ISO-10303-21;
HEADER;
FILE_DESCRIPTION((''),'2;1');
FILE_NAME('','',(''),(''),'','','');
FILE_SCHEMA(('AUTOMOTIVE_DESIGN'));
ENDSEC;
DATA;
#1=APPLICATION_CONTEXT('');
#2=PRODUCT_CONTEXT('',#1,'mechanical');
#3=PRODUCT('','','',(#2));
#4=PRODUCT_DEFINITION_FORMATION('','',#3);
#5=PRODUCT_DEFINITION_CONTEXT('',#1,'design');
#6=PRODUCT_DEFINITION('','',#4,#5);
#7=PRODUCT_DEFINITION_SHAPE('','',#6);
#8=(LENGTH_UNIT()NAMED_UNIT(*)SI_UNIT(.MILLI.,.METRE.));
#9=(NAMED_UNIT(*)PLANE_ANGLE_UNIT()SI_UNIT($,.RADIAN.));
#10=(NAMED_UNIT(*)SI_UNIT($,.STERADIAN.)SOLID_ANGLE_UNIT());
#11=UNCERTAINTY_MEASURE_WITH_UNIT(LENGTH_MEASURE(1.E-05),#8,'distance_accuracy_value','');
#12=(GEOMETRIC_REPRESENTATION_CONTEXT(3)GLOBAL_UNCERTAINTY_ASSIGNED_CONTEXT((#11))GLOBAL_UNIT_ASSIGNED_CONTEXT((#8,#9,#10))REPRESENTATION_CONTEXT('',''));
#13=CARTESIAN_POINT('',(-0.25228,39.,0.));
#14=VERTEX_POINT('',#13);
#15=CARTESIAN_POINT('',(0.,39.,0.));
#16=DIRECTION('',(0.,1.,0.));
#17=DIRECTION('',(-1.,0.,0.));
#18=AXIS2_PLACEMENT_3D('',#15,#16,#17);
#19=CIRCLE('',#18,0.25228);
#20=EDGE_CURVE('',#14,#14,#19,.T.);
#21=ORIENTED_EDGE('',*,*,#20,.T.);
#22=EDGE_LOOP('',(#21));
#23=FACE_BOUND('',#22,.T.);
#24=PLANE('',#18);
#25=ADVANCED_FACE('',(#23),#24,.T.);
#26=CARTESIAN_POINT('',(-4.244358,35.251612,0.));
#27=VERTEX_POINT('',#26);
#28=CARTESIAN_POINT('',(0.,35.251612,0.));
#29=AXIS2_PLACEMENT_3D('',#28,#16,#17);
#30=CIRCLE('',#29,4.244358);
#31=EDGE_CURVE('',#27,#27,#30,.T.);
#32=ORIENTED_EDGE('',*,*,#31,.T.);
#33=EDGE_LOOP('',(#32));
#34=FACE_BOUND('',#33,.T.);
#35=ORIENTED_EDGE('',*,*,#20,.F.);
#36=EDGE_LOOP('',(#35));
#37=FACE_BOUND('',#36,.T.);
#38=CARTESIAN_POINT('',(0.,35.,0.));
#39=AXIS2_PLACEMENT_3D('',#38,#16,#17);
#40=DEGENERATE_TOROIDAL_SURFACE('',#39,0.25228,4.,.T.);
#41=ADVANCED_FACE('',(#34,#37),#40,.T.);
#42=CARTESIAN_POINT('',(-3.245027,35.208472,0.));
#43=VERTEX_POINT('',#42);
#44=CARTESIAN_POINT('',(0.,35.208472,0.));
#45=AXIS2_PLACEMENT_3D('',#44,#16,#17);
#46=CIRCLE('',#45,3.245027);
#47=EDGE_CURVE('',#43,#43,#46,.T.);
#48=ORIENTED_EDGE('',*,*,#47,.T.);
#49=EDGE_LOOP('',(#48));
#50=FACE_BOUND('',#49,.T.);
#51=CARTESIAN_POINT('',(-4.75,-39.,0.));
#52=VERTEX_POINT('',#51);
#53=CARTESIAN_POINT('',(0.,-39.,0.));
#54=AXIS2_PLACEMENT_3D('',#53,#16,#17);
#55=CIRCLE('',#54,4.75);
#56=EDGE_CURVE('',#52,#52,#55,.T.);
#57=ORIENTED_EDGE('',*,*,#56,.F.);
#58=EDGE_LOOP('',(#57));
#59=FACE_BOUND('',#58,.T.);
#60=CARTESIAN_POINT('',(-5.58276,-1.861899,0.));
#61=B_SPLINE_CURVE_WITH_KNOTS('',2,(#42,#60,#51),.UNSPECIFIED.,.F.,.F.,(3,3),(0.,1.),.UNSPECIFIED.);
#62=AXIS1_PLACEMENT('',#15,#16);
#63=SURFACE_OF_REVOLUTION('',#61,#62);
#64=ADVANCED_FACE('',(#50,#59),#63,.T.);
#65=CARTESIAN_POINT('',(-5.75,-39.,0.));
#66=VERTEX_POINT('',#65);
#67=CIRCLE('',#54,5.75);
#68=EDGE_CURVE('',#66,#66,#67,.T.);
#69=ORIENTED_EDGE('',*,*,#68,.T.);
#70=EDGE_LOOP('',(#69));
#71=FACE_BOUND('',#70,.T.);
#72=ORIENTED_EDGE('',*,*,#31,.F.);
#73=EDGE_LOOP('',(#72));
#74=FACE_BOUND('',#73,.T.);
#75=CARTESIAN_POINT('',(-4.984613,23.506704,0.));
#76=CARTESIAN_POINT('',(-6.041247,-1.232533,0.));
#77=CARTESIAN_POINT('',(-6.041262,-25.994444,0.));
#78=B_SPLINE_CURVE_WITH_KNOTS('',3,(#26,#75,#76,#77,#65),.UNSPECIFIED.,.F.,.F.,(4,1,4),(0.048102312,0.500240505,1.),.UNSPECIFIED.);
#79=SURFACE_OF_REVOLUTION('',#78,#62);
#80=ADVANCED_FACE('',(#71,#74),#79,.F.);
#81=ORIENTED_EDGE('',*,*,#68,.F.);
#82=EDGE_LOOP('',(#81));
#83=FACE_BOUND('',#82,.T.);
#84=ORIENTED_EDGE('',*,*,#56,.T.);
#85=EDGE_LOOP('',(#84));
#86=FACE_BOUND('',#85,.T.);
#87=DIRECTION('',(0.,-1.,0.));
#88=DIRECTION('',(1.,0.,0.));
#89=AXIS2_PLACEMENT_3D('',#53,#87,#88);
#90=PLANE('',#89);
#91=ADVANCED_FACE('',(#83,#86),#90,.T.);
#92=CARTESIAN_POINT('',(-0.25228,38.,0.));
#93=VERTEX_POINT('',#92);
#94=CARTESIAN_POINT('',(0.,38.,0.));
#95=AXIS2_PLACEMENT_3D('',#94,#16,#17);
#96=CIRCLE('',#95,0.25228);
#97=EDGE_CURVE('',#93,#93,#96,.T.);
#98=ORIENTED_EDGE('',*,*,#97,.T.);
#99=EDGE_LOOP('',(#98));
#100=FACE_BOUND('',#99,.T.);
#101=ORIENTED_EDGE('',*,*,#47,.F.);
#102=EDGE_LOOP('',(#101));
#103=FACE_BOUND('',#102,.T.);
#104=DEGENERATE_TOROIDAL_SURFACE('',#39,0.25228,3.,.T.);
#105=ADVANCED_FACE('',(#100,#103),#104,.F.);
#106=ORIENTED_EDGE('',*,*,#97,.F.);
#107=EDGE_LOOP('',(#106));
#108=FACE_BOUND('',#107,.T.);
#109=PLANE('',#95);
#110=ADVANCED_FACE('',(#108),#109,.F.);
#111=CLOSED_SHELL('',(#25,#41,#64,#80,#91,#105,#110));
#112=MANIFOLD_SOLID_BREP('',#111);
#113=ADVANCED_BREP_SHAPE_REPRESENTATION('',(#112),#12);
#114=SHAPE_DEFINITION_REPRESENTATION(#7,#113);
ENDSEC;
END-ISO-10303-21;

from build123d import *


with BuildPart() as part:
    # Sketch1 → Revolve2 (revolve)
    with BuildSketch(Plane.XY):
        with BuildLine():
            add(Edge.make_bspline(
                [(-3.245027372, 35.20847205), (-5.582759596, -1.861899074), (-4.75, -39.000000002)],
                knots=[0, 0, 0, 1, 1, 1], degree=2))
            Line((-4.75, -39.000000002), (-5.75, -39.000000002))
            add(Edge.make_bspline(
                [(-4.244358175, 35.251611633), (-4.98461298, 23.506704104), (-6.041246729, -1.232532761), (-6.041261547, -25.994444167), (-5.75, -39.000000002)],
                knots=[0.048102312, 0.048102312, 0.048102312, 0.048102312, 0.500240505, 1, 1, 1, 1], degree=3))
            ThreePointArc((-4.244358175, 35.251611633), (-2.99030381, 37.916028681), (-0.252279571, 39))
            Line((-0.252279571, 39), (0, 39))
            Line((0, 39), (0, 38))
            Line((0, 38), (-0.252279571, 38))
            ThreePointArc((-0.252279571, 38), (-2.298566922, 37.193788521), (-3.245027372, 35.20847205))
        make_face()
    revolve(axis=Axis((0, 39, 0), (0, -1, 0)))


solid = part.part
